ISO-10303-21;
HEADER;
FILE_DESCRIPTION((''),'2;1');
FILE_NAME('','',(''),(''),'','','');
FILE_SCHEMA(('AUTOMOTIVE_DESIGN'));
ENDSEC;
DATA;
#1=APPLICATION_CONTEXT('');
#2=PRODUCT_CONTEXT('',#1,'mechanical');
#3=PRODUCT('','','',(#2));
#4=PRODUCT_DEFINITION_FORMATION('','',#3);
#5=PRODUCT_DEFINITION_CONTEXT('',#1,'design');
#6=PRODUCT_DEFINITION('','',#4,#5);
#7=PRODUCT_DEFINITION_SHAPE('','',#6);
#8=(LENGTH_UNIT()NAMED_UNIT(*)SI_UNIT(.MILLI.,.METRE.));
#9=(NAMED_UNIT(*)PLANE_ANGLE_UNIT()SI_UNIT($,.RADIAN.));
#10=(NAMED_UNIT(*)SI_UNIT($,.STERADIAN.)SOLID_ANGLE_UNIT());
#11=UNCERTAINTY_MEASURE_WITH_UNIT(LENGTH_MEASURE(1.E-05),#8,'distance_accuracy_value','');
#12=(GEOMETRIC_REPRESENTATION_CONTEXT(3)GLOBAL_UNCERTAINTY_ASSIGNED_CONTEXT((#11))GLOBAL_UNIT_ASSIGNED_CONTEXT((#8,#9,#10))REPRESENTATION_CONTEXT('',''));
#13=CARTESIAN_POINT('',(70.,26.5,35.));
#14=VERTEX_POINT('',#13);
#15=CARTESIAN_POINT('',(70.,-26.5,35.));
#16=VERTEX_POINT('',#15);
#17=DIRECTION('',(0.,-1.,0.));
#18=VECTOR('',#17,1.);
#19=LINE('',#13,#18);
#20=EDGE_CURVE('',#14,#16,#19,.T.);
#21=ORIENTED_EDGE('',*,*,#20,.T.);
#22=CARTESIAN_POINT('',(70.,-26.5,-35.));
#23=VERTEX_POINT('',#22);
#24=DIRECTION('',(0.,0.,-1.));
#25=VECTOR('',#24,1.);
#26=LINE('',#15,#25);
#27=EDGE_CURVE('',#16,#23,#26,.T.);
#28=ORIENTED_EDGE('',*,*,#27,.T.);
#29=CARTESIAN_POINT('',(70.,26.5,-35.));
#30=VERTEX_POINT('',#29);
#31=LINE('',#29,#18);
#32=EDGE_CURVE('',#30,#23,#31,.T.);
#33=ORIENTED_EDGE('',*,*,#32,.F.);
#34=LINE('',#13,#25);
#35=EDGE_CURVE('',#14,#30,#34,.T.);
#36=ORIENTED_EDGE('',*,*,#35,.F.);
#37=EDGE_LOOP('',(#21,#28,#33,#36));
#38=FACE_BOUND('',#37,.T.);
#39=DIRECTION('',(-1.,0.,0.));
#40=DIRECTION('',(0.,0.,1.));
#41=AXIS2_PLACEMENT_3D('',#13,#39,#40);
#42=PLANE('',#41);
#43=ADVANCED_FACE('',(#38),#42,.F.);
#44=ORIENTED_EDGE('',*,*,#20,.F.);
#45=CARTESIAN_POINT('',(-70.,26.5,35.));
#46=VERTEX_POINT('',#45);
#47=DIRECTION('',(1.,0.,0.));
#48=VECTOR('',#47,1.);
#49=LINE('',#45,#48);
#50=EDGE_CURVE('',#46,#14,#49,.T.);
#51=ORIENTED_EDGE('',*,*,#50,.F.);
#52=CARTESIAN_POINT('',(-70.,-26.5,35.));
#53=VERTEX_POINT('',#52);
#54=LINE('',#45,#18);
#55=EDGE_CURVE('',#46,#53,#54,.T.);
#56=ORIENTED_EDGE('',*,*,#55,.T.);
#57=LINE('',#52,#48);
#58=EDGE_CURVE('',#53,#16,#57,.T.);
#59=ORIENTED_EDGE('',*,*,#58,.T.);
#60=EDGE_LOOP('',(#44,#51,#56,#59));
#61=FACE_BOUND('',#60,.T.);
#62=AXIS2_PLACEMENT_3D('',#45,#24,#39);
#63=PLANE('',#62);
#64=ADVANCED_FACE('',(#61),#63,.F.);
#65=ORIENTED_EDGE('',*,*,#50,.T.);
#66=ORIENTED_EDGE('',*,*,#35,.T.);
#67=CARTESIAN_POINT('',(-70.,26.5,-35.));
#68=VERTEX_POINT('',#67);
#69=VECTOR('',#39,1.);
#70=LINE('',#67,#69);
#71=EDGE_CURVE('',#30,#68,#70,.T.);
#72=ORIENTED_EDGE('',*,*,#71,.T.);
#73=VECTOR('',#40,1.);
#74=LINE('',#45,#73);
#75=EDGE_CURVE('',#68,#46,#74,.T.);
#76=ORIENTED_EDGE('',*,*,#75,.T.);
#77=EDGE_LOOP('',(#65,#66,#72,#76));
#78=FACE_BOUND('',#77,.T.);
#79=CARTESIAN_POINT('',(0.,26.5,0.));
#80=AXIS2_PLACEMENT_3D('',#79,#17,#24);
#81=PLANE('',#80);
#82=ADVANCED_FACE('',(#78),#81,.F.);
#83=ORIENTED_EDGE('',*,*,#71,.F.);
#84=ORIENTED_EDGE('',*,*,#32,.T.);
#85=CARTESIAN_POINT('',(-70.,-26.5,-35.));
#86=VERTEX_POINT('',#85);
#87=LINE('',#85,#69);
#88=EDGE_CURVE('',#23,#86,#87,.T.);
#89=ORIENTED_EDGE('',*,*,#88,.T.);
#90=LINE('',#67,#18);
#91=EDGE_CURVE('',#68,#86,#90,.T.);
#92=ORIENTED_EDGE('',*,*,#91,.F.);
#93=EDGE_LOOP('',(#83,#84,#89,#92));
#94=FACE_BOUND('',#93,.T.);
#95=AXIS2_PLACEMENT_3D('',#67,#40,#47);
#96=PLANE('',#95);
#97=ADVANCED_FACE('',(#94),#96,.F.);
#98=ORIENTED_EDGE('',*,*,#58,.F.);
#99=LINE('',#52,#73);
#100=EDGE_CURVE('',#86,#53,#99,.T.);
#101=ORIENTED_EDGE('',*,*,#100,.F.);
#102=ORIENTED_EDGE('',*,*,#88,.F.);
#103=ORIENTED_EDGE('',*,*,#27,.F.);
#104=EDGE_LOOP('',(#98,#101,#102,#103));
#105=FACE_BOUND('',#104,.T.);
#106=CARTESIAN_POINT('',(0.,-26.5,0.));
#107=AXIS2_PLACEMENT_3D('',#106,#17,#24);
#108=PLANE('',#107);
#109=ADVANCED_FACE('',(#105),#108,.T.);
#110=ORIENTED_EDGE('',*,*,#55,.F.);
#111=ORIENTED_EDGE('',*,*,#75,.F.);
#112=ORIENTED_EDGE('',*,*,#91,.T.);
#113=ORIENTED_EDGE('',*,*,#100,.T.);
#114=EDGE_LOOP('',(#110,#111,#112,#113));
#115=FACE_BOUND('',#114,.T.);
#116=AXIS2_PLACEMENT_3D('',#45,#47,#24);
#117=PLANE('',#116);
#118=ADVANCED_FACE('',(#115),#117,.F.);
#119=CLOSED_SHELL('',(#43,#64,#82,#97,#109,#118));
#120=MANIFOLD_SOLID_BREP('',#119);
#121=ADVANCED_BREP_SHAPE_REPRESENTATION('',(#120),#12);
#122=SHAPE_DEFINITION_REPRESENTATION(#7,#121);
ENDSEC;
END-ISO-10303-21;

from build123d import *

# Parameters (mm, degrees)
SKETCH_1_W      = 140
SKETCH_1_H      = 70
EXTRUDE_1_DEPTH = 26.5


with BuildPart() as part:
    # 草图1 → 凸台-拉伸1 (new, symmetric)
    with BuildSketch(Plane(origin=(0, 0, 0), x_dir=(1, 0, 0), z_dir=(0, 1, 0))):
        Rectangle(SKETCH_1_W, SKETCH_1_H)
    extrude(amount=EXTRUDE_1_DEPTH, both=True)


solid = part.part
